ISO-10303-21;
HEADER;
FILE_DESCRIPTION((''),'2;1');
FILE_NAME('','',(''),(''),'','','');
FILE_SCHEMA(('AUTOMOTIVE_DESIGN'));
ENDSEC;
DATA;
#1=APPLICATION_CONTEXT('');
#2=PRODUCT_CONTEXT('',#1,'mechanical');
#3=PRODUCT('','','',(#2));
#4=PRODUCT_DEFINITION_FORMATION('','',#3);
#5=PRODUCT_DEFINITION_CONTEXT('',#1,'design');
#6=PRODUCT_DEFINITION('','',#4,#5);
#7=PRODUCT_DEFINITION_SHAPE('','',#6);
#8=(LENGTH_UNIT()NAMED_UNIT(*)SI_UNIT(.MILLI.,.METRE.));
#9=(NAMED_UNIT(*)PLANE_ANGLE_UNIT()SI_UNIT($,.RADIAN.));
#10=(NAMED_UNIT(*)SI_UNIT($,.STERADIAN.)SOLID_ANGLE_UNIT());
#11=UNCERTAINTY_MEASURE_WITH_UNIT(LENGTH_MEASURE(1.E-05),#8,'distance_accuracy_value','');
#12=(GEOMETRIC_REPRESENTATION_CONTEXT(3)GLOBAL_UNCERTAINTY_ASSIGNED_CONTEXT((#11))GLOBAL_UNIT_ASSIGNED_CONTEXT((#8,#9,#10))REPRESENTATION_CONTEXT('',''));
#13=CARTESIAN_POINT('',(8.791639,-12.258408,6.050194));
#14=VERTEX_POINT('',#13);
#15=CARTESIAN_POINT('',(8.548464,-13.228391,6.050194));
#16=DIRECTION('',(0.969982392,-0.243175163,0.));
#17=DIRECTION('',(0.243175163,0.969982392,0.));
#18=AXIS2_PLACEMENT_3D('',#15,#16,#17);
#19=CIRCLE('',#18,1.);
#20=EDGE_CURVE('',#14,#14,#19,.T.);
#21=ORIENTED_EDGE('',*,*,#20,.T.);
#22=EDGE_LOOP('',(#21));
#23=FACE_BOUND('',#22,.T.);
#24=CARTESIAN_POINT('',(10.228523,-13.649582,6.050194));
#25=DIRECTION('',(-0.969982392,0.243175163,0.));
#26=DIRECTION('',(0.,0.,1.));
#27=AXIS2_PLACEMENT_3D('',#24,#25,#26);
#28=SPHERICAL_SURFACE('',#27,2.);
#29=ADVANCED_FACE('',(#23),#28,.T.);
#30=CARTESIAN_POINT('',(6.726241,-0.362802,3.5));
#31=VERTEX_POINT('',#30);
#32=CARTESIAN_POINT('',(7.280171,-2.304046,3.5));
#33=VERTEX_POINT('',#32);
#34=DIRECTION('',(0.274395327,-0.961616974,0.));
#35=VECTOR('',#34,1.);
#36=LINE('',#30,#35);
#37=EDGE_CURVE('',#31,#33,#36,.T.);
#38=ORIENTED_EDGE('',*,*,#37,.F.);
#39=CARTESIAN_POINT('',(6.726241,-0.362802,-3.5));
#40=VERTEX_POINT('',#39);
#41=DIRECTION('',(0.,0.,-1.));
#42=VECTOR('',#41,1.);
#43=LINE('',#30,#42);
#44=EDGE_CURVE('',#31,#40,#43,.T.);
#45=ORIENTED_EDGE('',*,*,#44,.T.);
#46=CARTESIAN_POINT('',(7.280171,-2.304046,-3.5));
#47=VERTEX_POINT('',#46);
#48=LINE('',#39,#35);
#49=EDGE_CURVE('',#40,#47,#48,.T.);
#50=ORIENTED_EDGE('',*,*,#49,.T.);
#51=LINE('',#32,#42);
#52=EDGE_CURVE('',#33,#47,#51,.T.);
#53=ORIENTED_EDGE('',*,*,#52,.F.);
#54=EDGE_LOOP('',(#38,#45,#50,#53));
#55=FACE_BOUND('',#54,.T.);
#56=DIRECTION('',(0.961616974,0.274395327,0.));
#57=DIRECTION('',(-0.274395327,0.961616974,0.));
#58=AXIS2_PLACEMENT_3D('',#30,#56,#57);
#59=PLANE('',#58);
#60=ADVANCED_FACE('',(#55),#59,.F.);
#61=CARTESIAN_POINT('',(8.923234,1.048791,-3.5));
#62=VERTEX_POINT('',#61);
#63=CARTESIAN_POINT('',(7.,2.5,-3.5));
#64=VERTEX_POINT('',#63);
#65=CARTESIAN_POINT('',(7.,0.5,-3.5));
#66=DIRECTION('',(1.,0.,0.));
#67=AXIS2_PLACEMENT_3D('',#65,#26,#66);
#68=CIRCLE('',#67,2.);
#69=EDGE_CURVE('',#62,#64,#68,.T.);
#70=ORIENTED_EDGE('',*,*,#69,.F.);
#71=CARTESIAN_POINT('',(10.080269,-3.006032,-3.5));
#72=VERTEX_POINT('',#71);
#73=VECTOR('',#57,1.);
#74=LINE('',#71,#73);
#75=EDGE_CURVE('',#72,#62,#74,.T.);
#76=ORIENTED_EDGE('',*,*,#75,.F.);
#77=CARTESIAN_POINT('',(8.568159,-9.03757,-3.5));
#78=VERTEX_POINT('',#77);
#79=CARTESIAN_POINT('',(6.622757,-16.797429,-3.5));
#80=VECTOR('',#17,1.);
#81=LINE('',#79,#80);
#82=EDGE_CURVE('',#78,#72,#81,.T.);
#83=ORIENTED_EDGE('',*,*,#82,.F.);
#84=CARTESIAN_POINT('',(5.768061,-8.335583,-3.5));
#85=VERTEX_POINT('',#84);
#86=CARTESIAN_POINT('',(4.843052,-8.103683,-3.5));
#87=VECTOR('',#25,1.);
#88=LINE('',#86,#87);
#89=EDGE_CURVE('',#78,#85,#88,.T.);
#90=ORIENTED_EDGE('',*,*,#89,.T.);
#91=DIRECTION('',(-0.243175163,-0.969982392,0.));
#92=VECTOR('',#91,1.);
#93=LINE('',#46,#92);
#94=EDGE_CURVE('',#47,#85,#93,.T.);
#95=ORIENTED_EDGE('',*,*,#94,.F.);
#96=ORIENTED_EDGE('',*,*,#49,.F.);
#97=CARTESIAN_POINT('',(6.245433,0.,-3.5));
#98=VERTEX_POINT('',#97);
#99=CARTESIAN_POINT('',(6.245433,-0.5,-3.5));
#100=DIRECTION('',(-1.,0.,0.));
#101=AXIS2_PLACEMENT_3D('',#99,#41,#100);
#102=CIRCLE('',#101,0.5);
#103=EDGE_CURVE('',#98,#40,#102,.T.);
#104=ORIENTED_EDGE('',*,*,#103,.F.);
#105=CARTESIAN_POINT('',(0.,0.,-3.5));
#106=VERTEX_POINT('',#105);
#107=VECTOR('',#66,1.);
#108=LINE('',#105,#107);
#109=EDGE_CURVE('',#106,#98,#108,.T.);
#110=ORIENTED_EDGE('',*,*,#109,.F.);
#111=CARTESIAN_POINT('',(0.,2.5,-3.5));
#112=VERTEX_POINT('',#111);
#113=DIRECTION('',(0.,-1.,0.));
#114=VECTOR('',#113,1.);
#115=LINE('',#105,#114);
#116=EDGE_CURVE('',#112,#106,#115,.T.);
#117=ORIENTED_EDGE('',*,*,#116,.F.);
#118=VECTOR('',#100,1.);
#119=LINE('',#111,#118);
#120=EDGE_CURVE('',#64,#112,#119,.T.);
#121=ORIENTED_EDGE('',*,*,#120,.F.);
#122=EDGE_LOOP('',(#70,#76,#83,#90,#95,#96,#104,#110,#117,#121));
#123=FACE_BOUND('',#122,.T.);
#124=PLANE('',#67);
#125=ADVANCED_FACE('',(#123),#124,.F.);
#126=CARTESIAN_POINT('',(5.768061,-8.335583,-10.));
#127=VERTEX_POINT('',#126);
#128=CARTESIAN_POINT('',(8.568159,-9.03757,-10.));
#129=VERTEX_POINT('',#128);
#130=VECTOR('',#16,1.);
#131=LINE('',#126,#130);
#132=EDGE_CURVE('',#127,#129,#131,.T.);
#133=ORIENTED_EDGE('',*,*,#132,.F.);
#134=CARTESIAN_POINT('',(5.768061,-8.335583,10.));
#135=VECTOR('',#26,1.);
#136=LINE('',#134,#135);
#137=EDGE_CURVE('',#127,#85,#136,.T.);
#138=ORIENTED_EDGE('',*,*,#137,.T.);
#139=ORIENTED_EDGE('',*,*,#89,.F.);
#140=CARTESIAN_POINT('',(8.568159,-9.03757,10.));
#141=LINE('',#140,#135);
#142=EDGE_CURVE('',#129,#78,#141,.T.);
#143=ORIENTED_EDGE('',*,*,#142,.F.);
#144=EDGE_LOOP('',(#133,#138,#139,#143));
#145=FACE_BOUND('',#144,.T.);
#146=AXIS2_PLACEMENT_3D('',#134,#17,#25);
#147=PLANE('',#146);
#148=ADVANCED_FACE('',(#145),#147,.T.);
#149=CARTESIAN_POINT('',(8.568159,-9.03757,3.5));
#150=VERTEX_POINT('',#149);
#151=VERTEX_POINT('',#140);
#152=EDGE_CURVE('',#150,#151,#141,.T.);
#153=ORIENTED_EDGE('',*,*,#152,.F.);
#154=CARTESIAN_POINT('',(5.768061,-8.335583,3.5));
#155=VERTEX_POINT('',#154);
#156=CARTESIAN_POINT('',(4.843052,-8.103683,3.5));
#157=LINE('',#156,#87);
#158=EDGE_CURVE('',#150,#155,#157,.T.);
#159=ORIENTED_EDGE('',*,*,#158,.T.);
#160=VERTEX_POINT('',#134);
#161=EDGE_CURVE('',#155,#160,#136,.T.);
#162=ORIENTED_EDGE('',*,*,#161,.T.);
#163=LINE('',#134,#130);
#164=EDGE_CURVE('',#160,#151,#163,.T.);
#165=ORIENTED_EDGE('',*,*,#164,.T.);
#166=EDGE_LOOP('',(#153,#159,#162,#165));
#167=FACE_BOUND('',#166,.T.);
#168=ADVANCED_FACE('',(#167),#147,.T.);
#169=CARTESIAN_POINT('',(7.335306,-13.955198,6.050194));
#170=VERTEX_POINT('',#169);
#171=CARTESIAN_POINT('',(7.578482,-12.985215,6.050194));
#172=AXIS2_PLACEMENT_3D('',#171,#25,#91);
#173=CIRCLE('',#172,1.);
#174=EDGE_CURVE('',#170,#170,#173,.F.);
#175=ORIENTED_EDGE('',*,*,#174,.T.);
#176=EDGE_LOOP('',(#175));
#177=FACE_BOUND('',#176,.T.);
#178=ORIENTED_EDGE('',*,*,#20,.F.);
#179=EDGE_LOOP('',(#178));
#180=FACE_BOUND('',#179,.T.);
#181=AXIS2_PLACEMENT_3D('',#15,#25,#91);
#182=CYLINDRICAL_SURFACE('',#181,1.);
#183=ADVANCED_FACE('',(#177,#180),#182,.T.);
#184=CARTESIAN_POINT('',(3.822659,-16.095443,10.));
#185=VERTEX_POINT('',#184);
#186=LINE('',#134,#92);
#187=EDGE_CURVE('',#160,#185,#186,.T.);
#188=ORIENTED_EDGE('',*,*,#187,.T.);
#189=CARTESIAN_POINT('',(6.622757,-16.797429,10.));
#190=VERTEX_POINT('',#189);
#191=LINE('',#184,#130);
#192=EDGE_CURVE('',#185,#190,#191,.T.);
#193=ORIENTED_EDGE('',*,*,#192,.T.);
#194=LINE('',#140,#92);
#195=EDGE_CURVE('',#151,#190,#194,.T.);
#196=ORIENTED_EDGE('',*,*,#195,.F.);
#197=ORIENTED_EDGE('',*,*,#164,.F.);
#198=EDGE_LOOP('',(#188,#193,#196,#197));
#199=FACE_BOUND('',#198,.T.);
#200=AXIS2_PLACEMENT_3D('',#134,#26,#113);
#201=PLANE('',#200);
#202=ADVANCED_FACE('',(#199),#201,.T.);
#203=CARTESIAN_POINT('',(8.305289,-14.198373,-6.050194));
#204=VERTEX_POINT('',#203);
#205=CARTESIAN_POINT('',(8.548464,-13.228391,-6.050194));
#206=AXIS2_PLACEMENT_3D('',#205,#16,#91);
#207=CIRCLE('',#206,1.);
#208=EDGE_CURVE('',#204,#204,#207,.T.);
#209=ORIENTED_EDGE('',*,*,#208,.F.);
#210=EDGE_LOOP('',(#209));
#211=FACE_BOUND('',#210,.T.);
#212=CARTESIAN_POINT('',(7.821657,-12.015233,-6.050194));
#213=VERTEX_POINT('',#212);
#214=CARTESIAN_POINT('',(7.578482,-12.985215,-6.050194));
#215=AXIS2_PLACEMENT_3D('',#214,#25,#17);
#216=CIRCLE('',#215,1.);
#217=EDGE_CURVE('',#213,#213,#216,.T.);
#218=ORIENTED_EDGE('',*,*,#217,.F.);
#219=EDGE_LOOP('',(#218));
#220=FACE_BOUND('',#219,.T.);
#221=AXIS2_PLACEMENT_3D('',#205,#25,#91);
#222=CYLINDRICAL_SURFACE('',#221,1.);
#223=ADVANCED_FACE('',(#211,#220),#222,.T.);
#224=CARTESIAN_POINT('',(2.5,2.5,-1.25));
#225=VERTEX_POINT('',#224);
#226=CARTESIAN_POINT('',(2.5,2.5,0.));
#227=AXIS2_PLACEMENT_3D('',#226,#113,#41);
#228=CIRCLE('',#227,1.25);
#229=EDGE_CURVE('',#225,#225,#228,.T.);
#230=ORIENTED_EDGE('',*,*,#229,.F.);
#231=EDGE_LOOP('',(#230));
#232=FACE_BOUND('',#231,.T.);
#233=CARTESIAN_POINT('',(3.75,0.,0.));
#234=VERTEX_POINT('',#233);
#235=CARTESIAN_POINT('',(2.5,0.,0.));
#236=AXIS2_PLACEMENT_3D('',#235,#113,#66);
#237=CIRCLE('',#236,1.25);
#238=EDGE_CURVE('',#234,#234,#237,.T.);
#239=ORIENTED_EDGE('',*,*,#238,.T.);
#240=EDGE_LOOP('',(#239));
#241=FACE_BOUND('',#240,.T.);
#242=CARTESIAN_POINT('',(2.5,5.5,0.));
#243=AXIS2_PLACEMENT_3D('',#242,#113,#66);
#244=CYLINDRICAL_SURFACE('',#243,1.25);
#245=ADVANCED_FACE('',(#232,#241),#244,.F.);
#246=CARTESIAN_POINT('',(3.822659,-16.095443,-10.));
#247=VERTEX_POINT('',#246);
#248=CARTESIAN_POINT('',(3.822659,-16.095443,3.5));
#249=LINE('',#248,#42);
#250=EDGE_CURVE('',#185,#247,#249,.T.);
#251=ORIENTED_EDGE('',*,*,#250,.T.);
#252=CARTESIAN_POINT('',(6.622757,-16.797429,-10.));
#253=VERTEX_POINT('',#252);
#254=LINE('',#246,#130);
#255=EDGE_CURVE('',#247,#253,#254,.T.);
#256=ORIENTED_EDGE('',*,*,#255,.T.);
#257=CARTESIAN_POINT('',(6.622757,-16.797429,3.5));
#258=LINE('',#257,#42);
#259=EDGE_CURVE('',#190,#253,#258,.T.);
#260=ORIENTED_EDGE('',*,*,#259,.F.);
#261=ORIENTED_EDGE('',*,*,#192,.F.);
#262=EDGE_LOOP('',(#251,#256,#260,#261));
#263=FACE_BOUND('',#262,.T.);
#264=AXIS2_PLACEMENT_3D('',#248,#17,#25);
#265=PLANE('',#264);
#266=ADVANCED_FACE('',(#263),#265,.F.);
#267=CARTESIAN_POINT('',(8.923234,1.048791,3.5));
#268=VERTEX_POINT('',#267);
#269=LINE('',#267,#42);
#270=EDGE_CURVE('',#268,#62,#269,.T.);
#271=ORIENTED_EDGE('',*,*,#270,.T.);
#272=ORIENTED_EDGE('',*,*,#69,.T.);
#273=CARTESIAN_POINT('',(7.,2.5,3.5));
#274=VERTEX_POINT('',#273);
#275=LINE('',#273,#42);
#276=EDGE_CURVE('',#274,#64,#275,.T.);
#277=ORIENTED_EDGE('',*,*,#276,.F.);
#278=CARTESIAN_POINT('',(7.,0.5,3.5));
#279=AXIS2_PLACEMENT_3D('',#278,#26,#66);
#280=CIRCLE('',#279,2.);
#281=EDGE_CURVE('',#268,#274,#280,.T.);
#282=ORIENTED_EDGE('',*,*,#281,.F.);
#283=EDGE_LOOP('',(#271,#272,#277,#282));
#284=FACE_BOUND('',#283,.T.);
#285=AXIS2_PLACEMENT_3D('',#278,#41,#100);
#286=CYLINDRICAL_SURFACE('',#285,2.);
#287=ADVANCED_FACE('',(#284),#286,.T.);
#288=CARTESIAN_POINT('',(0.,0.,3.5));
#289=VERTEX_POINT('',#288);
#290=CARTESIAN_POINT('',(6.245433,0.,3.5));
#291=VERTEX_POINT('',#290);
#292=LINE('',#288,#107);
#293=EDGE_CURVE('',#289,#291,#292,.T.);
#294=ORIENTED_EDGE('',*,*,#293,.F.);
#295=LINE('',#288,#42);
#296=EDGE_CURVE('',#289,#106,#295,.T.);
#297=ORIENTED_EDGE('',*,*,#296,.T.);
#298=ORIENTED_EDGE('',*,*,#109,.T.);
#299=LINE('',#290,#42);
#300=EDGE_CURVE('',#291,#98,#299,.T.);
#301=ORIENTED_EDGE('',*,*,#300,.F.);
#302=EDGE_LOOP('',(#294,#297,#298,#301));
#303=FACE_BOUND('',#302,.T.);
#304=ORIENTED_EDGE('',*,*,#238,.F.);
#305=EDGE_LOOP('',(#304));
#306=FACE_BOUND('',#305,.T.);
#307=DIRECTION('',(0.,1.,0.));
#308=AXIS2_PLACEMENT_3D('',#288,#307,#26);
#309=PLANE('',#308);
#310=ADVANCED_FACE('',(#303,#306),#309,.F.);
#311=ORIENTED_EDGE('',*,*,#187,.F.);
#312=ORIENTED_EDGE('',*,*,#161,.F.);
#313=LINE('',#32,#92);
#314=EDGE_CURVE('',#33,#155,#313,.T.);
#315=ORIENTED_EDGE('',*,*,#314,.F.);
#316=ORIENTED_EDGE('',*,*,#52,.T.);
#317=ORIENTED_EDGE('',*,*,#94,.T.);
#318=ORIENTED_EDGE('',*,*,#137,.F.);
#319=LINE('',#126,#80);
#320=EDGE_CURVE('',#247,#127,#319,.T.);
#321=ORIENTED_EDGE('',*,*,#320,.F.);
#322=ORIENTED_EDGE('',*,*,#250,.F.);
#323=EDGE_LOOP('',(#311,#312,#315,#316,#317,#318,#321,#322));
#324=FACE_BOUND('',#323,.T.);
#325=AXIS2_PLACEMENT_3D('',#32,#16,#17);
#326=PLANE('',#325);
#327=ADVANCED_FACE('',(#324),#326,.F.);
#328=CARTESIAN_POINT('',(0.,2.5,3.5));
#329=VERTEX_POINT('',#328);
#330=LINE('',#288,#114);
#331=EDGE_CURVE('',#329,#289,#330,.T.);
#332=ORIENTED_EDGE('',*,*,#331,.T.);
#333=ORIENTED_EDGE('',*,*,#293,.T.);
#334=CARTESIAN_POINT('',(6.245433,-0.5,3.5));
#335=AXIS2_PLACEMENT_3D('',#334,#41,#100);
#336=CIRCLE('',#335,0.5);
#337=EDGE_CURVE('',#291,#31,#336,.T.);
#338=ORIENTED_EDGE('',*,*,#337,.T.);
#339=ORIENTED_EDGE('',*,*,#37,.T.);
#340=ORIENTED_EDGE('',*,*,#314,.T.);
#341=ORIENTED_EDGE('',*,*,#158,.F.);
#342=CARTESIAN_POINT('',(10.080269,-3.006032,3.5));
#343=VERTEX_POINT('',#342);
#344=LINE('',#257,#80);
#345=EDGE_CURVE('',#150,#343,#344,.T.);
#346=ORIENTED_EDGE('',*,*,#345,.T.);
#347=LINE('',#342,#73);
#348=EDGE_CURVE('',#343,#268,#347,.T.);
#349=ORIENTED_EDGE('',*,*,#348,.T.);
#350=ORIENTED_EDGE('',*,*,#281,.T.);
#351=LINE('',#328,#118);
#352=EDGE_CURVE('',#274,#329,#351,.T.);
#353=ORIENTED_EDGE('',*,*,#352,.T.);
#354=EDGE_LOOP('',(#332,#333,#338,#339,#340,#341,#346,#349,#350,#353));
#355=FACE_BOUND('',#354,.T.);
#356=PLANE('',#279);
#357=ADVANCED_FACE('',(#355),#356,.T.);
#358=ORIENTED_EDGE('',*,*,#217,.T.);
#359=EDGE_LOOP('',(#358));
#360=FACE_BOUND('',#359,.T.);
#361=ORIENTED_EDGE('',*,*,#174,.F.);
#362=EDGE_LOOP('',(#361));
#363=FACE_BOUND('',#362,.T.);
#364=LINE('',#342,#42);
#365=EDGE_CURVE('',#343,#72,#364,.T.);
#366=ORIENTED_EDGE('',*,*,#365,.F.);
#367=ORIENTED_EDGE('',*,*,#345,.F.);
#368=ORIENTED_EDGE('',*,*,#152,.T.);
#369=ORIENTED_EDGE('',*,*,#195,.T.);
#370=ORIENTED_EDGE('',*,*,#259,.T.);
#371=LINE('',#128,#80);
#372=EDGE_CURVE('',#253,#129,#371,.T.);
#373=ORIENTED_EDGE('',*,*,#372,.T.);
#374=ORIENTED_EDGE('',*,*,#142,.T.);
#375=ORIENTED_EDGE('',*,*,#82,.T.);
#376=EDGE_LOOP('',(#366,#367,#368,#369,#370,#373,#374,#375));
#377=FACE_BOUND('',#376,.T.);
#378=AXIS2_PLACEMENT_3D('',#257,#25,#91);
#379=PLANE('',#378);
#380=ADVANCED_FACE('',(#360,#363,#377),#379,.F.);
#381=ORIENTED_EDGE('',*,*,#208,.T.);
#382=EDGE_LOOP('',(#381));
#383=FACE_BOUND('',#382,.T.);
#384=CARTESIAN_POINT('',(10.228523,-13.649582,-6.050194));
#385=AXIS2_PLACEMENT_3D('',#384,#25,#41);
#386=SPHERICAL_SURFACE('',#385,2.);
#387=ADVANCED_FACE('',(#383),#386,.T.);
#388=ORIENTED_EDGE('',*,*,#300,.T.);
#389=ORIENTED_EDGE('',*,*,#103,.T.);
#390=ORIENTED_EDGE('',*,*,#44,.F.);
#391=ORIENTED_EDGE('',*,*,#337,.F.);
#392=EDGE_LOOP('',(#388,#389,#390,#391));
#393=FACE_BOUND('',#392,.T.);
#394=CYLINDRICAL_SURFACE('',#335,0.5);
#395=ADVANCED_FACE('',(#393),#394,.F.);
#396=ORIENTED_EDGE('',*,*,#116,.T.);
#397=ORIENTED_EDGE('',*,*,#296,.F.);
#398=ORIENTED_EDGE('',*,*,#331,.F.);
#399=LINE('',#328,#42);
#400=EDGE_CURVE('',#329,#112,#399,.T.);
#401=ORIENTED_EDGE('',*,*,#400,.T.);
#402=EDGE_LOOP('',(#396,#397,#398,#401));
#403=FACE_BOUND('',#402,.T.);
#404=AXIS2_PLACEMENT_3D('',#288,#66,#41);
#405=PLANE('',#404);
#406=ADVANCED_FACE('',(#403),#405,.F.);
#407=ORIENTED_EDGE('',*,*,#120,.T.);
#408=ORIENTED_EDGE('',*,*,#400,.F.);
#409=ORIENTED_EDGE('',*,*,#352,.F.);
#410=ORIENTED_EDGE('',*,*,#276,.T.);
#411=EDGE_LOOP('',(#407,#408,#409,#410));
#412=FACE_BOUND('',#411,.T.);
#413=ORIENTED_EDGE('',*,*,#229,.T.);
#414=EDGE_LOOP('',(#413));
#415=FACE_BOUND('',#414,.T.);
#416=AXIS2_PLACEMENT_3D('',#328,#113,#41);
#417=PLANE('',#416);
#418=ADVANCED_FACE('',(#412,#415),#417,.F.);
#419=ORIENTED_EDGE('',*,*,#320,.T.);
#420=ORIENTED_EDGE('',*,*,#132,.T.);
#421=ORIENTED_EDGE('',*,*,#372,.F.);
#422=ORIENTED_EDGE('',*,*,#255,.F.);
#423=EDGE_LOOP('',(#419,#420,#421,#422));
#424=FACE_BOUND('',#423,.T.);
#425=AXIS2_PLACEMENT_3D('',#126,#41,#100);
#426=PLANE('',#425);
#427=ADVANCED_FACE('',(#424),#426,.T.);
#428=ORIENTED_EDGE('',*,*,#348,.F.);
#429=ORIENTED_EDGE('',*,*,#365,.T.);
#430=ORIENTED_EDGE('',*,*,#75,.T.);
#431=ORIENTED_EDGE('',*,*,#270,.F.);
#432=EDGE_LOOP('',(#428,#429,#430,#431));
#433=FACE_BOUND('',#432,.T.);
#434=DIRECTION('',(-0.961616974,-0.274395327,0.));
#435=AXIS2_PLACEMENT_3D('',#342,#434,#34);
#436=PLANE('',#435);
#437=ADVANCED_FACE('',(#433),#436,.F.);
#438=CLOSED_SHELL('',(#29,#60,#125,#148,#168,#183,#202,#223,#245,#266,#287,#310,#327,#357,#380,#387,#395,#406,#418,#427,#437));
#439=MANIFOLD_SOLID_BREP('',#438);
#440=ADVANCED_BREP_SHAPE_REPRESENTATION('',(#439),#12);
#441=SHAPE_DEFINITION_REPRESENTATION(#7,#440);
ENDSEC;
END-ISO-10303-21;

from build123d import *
from build123d.topology import SkipClean

# Parameters (mm, degrees)
EXTRUDE_1_DEPTH     = 3.5
SKETCH_2_R          = 1.25
CUT_EXTRUDE_3_DEPTH = 5.5
SKETCH_3_W          = 20
SKETCH_3_H          = 8
EXTRUDE_2_DEPTH     = 2.886751
SKETCH_4_R          = 1
EXTRUDE_3_DEPTH     = 1


with BuildPart() as part:
    # 草图1 → 凸台-拉伸1 (new, symmetric)
    with BuildSketch(Plane.XY):
        with BuildLine():
            Line((0, 0), (6.245432753, 0))
            ThreePointArc((6.245432753, 0), (6.54659813, -0.100876691), (6.72624124, -0.362802336))
            Line((6.72624124, -0.362802336), (7.280170813, -2.304045596))
            Line((7.280170813, -2.304045596), (3.822659371, -16.095442623))
            Line((3.822659371, -16.095442623), (6.622757346, -16.797428852))
            Line((6.622757346, -16.797428852), (10.080268787, -3.006031824))
            Line((10.080268787, -3.006031824), (8.923233948, 1.048790655))
            ThreePointArc((8.923233948, 1.048790655), (8.204661507, 2.096493237), (7, 2.5))
            Line((7, 2.5), (0, 2.5))
            Line((0, 2.5), (0, 0))
        make_face()
    extrude(amount=EXTRUDE_1_DEPTH, both=True)

    # 草图2 → 切除-拉伸3 (cut)
    with BuildSketch(Plane.XZ):
        with Locations((2.5, 0)):
            Circle(SKETCH_2_R)
    extrude(amount=-CUT_EXTRUDE_3_DEPTH, mode=Mode.SUBTRACT)

    # 草图3 → 凸台-拉伸2 (add)
    with SkipClean():  # the faces are left unmerged after this step: merging them gives an invalid solid
        with BuildSketch(Plane(origin=(10.193230201, -2.555448877, 0), x_dir=(0, 0, -1), z_dir=(0.969982391695105, -0.24317516279719864, 0))):
            with Locations((0, -10.682720116)):
                Rectangle(SKETCH_3_W, SKETCH_3_H)
        extrude(amount=-EXTRUDE_2_DEPTH)

    # 草图4 → 凸台-拉伸3 (add)
    with SkipClean():  # the faces are left unmerged after this step: merging them gives an invalid solid
        with BuildSketch(Plane(origin=(10.193230201, -2.555448877, 0), x_dir=(0, 0, -1), z_dir=(0.969982391695105, -0.24317516279719864, 0))):
            with Locations(Location((-6.050193859, -10.752531826, 0), (0, 0, 270))):
                Circle(SKETCH_4_R)
        extrude_3 = extrude(amount=EXTRUDE_3_DEPTH)

    # 草图5 → 旋转1 (revolve)
    with SkipClean():  # the faces are left unmerged after this step: merging them gives an invalid solid
        with BuildSketch(Plane(origin=(-2.614748677, -10.429766537, 0), x_dir=(-0.969982391695105, 0.24317516279719864, 0), z_dir=(0.24317516279719864, 0.969982391695105, 0))):
            with BuildLine():
                Line((-11.508675506, 6.050193859), (-15.240726313, 6.050193859))
                ThreePointArc((-15.240726313, 6.050193859), (-13.758364403, 7.982045511), (-11.508675506, 7.050193859))
                Line((-11.508675506, 7.050193859), (-11.508675506, 6.050193859))
            make_face()
        revolve_1 = revolve(axis=Axis((8.548463915, -13.228390577, 6.050193859), (0.9699823916951049, -0.24317516279719897, 0)))

    # 镜向1: 凸台-拉伸3, 旋转1 across plane
    with SkipClean():  # the faces are left unmerged after this step: merging them gives an invalid solid
        add(extrude_3.mirror(Plane.XY))
        add(revolve_1.mirror(Plane.XY))


solid = part.part
